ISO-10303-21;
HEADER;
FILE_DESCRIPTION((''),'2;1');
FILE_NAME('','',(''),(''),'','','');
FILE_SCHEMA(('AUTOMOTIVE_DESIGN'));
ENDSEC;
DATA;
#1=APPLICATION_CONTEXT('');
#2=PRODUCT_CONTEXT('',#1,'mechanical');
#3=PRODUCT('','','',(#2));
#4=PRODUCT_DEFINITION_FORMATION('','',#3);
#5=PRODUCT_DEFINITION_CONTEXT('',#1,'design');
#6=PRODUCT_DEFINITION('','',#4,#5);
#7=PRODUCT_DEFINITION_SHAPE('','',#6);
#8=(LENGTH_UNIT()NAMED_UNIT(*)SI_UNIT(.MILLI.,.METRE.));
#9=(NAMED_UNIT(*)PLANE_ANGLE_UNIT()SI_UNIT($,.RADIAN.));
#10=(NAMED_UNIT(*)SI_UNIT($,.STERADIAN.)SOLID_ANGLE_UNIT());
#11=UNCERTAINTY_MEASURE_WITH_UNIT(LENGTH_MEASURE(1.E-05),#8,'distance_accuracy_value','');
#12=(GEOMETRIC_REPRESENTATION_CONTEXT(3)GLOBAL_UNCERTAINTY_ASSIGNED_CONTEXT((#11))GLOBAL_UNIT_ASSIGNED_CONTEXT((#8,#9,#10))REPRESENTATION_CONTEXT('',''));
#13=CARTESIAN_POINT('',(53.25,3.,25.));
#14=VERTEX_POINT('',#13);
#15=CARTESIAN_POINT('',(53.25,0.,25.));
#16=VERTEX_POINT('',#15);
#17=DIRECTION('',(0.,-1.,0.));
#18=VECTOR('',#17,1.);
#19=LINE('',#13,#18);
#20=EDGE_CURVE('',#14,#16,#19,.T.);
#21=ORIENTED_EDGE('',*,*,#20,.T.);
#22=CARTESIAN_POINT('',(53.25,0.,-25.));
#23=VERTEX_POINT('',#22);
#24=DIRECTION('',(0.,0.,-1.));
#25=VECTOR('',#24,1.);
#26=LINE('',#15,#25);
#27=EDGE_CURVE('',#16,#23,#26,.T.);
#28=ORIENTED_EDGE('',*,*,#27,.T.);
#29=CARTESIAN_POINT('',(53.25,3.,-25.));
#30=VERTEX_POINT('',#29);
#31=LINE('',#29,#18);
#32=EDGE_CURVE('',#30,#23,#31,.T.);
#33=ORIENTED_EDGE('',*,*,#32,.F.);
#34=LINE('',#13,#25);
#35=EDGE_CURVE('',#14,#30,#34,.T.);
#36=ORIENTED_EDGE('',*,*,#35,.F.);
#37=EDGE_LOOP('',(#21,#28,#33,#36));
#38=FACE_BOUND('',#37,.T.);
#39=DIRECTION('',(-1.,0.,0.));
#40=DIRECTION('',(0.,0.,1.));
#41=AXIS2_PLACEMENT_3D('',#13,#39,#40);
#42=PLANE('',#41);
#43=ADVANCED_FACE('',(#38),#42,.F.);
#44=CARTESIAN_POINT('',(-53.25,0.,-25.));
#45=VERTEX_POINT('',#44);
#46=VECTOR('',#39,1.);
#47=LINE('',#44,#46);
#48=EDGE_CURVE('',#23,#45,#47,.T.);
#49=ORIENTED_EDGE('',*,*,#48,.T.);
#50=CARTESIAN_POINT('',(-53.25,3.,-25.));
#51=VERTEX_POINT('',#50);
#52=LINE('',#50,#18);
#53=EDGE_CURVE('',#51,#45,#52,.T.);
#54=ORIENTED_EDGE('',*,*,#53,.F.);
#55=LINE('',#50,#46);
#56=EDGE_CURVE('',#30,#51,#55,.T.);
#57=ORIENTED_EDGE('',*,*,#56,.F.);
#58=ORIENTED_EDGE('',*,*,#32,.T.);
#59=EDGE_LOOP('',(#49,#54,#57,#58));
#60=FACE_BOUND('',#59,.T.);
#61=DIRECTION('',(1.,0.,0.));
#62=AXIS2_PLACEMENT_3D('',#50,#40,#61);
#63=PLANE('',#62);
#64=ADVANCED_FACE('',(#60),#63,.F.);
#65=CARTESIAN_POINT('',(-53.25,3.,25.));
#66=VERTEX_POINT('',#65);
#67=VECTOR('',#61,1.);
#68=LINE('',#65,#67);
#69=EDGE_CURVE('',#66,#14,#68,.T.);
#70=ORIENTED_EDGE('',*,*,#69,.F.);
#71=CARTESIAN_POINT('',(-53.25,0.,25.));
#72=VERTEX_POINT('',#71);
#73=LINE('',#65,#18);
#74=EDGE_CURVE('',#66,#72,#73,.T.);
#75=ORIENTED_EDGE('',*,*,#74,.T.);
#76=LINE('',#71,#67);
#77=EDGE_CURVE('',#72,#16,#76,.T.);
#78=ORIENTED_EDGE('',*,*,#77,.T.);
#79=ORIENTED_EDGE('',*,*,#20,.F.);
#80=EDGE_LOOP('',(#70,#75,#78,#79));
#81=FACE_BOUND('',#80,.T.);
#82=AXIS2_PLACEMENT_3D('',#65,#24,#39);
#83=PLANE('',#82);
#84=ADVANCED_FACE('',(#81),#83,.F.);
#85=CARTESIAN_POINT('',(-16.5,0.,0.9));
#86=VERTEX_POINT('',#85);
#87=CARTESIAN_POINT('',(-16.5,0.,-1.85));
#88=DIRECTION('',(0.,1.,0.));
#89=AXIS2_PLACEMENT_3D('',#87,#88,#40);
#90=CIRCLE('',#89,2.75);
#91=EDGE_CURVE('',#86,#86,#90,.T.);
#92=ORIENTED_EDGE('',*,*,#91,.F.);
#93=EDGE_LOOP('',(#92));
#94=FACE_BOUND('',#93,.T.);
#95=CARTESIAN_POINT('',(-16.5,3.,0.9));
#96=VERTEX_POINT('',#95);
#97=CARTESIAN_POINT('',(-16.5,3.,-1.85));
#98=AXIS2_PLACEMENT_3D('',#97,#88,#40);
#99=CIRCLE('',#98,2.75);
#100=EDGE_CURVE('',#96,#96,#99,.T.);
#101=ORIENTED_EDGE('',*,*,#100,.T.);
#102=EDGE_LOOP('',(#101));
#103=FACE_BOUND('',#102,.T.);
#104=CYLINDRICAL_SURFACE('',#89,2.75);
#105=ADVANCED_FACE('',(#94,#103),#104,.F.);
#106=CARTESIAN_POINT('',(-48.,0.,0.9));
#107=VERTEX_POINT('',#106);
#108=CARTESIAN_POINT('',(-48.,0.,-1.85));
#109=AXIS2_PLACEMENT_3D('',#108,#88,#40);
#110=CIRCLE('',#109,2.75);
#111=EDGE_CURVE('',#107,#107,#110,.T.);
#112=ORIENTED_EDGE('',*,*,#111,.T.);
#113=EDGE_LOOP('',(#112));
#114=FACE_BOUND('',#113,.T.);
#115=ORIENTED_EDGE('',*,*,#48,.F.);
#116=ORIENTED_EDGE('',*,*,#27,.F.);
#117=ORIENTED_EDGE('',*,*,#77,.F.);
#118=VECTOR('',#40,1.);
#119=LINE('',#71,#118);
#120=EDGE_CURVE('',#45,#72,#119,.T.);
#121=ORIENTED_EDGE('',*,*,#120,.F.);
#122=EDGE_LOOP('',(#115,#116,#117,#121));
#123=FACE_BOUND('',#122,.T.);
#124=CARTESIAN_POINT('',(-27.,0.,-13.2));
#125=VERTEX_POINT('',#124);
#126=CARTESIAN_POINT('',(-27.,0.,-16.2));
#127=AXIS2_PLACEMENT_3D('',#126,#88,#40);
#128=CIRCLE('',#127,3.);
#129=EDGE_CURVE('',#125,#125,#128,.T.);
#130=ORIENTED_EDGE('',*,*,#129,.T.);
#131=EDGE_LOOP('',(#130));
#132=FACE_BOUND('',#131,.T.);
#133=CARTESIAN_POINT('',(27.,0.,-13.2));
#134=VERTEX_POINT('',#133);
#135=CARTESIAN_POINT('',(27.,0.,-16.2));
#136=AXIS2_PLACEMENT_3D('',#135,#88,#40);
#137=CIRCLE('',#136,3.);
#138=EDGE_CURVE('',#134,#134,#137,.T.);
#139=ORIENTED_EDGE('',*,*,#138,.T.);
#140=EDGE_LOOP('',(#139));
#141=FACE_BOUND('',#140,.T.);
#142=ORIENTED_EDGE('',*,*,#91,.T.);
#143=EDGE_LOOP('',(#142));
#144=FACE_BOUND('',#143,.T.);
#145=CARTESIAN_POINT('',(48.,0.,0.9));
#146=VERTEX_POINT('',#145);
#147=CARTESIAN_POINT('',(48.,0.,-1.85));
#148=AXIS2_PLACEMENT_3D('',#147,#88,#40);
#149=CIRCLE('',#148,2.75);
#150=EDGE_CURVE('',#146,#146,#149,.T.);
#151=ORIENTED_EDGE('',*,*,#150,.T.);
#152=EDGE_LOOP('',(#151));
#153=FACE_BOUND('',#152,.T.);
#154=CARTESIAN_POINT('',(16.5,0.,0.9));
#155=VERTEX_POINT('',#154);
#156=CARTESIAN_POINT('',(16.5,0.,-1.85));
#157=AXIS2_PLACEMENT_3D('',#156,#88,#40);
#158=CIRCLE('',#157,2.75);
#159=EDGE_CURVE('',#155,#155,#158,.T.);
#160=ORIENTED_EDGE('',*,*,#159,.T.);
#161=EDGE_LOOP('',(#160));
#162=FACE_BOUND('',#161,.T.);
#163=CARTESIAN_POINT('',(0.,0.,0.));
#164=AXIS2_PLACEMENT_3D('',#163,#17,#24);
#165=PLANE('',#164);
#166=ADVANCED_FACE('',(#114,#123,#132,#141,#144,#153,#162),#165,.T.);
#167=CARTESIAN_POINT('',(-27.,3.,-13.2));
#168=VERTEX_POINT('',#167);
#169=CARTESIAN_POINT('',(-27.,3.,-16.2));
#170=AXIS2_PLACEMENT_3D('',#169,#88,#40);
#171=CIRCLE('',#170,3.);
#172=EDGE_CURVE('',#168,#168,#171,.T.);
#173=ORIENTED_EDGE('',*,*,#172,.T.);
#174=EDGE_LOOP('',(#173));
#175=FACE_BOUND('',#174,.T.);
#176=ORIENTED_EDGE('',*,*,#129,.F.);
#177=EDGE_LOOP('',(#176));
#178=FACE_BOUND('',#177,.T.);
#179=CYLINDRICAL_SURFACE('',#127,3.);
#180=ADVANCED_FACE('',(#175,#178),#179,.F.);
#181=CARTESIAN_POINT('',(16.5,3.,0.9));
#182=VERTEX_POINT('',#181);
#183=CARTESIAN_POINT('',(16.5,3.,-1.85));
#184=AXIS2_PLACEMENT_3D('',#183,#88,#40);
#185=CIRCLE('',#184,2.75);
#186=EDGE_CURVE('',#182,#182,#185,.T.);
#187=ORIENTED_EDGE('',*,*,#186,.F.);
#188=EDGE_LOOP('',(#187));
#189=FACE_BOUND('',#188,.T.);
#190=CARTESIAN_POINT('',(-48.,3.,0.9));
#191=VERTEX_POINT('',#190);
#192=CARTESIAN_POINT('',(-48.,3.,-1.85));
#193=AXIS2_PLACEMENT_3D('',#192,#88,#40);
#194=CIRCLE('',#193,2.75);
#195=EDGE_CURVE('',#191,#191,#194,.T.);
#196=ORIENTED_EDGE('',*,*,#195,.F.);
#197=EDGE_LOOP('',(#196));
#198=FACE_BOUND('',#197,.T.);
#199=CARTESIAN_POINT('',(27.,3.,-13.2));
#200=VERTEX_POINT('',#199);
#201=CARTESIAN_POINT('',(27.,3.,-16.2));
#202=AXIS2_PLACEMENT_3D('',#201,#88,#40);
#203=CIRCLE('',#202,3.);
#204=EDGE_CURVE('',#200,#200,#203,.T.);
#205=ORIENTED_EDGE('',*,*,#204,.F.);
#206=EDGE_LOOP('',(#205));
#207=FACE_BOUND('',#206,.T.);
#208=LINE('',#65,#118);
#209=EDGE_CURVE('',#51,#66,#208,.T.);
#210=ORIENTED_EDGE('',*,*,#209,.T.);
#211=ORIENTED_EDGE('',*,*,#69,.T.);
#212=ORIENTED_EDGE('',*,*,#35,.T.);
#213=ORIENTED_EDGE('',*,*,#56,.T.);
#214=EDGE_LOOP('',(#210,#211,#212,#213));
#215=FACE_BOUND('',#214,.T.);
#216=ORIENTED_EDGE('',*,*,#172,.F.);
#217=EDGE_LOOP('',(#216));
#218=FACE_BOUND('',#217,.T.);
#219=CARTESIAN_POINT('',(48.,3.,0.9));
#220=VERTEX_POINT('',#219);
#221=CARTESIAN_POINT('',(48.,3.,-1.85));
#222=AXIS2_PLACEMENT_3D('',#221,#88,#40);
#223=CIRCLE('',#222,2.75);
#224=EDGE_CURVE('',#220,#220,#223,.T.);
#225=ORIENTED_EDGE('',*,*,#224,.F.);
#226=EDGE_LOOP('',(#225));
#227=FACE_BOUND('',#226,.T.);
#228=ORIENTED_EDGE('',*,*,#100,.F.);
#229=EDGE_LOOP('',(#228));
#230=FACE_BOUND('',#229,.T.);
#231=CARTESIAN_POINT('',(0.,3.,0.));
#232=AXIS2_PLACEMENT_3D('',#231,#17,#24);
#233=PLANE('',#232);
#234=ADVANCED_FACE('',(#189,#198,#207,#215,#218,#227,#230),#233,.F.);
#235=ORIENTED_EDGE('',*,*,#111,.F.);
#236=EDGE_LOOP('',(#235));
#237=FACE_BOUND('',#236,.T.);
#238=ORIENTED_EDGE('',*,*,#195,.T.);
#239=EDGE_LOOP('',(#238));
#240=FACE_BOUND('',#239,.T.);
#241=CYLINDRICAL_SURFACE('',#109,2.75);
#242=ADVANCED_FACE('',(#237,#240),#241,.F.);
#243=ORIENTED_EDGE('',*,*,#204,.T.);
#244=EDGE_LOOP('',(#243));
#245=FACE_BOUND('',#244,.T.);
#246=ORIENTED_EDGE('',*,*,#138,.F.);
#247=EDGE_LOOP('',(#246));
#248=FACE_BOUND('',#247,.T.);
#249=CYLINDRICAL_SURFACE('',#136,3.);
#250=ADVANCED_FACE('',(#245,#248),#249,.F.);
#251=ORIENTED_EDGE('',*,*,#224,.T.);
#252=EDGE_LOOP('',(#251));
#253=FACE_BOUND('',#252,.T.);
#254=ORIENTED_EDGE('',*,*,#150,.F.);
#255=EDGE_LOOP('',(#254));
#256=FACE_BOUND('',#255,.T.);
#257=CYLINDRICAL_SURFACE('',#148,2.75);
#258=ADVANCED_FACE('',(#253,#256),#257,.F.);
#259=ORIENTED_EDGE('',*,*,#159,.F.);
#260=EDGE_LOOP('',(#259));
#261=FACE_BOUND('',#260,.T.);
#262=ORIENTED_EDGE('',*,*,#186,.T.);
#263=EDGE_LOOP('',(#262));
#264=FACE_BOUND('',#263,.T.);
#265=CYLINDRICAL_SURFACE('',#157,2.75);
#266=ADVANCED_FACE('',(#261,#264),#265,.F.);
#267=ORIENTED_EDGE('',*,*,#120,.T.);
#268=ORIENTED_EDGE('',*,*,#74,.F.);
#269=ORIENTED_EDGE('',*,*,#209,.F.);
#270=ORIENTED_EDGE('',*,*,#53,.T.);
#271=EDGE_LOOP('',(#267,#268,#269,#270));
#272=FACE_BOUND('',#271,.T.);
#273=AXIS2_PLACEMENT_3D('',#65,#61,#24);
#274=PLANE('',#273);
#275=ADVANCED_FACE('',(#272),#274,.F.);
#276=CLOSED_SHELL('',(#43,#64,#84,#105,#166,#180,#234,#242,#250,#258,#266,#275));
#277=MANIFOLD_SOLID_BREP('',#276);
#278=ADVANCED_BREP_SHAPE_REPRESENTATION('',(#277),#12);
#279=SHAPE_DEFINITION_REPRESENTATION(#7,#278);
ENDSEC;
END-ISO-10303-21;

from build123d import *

# Parameters (mm, degrees)
SKETCH1_W           = 106.5
SKETCH1_H           = 50
BOSS_EXTRUDE1_DEPTH = 3
SKETCH2_R           = 2.75
SKETCH2_R_2         = 3
CUT_EXTRUDE1_DEPTH  = 4


with BuildPart() as part:
    # Sketch1 → Boss-Extrude1 (new body)
    with BuildSketch(Plane(origin=(0, 0, 0), x_dir=(1, 0, 0), z_dir=(0, 1, 0))):
        Rectangle(SKETCH1_W, SKETCH1_H)
    extrude(amount=BOSS_EXTRUDE1_DEPTH)

    # Sketch2 → Cut-Extrude1 (cut, through all)
    with BuildSketch(Plane(origin=(0, 3, 0), x_dir=(1, 0, 0), z_dir=(0, 1, 0))):
        with Locations((48, 1.85)):
            Circle(SKETCH2_R)
        with Locations((16.5, 1.85)):
            Circle(SKETCH2_R)
        with Locations((-16.5, 1.85)):
            Circle(SKETCH2_R)
        with Locations((-48, 1.85)):
            Circle(SKETCH2_R)
        with Locations((27, 16.2)):
            Circle(SKETCH2_R_2)
        with Locations((-27, 16.2)):
            Circle(SKETCH2_R_2)
    extrude(amount=-CUT_EXTRUDE1_DEPTH, mode=Mode.SUBTRACT)


solid = part.part
